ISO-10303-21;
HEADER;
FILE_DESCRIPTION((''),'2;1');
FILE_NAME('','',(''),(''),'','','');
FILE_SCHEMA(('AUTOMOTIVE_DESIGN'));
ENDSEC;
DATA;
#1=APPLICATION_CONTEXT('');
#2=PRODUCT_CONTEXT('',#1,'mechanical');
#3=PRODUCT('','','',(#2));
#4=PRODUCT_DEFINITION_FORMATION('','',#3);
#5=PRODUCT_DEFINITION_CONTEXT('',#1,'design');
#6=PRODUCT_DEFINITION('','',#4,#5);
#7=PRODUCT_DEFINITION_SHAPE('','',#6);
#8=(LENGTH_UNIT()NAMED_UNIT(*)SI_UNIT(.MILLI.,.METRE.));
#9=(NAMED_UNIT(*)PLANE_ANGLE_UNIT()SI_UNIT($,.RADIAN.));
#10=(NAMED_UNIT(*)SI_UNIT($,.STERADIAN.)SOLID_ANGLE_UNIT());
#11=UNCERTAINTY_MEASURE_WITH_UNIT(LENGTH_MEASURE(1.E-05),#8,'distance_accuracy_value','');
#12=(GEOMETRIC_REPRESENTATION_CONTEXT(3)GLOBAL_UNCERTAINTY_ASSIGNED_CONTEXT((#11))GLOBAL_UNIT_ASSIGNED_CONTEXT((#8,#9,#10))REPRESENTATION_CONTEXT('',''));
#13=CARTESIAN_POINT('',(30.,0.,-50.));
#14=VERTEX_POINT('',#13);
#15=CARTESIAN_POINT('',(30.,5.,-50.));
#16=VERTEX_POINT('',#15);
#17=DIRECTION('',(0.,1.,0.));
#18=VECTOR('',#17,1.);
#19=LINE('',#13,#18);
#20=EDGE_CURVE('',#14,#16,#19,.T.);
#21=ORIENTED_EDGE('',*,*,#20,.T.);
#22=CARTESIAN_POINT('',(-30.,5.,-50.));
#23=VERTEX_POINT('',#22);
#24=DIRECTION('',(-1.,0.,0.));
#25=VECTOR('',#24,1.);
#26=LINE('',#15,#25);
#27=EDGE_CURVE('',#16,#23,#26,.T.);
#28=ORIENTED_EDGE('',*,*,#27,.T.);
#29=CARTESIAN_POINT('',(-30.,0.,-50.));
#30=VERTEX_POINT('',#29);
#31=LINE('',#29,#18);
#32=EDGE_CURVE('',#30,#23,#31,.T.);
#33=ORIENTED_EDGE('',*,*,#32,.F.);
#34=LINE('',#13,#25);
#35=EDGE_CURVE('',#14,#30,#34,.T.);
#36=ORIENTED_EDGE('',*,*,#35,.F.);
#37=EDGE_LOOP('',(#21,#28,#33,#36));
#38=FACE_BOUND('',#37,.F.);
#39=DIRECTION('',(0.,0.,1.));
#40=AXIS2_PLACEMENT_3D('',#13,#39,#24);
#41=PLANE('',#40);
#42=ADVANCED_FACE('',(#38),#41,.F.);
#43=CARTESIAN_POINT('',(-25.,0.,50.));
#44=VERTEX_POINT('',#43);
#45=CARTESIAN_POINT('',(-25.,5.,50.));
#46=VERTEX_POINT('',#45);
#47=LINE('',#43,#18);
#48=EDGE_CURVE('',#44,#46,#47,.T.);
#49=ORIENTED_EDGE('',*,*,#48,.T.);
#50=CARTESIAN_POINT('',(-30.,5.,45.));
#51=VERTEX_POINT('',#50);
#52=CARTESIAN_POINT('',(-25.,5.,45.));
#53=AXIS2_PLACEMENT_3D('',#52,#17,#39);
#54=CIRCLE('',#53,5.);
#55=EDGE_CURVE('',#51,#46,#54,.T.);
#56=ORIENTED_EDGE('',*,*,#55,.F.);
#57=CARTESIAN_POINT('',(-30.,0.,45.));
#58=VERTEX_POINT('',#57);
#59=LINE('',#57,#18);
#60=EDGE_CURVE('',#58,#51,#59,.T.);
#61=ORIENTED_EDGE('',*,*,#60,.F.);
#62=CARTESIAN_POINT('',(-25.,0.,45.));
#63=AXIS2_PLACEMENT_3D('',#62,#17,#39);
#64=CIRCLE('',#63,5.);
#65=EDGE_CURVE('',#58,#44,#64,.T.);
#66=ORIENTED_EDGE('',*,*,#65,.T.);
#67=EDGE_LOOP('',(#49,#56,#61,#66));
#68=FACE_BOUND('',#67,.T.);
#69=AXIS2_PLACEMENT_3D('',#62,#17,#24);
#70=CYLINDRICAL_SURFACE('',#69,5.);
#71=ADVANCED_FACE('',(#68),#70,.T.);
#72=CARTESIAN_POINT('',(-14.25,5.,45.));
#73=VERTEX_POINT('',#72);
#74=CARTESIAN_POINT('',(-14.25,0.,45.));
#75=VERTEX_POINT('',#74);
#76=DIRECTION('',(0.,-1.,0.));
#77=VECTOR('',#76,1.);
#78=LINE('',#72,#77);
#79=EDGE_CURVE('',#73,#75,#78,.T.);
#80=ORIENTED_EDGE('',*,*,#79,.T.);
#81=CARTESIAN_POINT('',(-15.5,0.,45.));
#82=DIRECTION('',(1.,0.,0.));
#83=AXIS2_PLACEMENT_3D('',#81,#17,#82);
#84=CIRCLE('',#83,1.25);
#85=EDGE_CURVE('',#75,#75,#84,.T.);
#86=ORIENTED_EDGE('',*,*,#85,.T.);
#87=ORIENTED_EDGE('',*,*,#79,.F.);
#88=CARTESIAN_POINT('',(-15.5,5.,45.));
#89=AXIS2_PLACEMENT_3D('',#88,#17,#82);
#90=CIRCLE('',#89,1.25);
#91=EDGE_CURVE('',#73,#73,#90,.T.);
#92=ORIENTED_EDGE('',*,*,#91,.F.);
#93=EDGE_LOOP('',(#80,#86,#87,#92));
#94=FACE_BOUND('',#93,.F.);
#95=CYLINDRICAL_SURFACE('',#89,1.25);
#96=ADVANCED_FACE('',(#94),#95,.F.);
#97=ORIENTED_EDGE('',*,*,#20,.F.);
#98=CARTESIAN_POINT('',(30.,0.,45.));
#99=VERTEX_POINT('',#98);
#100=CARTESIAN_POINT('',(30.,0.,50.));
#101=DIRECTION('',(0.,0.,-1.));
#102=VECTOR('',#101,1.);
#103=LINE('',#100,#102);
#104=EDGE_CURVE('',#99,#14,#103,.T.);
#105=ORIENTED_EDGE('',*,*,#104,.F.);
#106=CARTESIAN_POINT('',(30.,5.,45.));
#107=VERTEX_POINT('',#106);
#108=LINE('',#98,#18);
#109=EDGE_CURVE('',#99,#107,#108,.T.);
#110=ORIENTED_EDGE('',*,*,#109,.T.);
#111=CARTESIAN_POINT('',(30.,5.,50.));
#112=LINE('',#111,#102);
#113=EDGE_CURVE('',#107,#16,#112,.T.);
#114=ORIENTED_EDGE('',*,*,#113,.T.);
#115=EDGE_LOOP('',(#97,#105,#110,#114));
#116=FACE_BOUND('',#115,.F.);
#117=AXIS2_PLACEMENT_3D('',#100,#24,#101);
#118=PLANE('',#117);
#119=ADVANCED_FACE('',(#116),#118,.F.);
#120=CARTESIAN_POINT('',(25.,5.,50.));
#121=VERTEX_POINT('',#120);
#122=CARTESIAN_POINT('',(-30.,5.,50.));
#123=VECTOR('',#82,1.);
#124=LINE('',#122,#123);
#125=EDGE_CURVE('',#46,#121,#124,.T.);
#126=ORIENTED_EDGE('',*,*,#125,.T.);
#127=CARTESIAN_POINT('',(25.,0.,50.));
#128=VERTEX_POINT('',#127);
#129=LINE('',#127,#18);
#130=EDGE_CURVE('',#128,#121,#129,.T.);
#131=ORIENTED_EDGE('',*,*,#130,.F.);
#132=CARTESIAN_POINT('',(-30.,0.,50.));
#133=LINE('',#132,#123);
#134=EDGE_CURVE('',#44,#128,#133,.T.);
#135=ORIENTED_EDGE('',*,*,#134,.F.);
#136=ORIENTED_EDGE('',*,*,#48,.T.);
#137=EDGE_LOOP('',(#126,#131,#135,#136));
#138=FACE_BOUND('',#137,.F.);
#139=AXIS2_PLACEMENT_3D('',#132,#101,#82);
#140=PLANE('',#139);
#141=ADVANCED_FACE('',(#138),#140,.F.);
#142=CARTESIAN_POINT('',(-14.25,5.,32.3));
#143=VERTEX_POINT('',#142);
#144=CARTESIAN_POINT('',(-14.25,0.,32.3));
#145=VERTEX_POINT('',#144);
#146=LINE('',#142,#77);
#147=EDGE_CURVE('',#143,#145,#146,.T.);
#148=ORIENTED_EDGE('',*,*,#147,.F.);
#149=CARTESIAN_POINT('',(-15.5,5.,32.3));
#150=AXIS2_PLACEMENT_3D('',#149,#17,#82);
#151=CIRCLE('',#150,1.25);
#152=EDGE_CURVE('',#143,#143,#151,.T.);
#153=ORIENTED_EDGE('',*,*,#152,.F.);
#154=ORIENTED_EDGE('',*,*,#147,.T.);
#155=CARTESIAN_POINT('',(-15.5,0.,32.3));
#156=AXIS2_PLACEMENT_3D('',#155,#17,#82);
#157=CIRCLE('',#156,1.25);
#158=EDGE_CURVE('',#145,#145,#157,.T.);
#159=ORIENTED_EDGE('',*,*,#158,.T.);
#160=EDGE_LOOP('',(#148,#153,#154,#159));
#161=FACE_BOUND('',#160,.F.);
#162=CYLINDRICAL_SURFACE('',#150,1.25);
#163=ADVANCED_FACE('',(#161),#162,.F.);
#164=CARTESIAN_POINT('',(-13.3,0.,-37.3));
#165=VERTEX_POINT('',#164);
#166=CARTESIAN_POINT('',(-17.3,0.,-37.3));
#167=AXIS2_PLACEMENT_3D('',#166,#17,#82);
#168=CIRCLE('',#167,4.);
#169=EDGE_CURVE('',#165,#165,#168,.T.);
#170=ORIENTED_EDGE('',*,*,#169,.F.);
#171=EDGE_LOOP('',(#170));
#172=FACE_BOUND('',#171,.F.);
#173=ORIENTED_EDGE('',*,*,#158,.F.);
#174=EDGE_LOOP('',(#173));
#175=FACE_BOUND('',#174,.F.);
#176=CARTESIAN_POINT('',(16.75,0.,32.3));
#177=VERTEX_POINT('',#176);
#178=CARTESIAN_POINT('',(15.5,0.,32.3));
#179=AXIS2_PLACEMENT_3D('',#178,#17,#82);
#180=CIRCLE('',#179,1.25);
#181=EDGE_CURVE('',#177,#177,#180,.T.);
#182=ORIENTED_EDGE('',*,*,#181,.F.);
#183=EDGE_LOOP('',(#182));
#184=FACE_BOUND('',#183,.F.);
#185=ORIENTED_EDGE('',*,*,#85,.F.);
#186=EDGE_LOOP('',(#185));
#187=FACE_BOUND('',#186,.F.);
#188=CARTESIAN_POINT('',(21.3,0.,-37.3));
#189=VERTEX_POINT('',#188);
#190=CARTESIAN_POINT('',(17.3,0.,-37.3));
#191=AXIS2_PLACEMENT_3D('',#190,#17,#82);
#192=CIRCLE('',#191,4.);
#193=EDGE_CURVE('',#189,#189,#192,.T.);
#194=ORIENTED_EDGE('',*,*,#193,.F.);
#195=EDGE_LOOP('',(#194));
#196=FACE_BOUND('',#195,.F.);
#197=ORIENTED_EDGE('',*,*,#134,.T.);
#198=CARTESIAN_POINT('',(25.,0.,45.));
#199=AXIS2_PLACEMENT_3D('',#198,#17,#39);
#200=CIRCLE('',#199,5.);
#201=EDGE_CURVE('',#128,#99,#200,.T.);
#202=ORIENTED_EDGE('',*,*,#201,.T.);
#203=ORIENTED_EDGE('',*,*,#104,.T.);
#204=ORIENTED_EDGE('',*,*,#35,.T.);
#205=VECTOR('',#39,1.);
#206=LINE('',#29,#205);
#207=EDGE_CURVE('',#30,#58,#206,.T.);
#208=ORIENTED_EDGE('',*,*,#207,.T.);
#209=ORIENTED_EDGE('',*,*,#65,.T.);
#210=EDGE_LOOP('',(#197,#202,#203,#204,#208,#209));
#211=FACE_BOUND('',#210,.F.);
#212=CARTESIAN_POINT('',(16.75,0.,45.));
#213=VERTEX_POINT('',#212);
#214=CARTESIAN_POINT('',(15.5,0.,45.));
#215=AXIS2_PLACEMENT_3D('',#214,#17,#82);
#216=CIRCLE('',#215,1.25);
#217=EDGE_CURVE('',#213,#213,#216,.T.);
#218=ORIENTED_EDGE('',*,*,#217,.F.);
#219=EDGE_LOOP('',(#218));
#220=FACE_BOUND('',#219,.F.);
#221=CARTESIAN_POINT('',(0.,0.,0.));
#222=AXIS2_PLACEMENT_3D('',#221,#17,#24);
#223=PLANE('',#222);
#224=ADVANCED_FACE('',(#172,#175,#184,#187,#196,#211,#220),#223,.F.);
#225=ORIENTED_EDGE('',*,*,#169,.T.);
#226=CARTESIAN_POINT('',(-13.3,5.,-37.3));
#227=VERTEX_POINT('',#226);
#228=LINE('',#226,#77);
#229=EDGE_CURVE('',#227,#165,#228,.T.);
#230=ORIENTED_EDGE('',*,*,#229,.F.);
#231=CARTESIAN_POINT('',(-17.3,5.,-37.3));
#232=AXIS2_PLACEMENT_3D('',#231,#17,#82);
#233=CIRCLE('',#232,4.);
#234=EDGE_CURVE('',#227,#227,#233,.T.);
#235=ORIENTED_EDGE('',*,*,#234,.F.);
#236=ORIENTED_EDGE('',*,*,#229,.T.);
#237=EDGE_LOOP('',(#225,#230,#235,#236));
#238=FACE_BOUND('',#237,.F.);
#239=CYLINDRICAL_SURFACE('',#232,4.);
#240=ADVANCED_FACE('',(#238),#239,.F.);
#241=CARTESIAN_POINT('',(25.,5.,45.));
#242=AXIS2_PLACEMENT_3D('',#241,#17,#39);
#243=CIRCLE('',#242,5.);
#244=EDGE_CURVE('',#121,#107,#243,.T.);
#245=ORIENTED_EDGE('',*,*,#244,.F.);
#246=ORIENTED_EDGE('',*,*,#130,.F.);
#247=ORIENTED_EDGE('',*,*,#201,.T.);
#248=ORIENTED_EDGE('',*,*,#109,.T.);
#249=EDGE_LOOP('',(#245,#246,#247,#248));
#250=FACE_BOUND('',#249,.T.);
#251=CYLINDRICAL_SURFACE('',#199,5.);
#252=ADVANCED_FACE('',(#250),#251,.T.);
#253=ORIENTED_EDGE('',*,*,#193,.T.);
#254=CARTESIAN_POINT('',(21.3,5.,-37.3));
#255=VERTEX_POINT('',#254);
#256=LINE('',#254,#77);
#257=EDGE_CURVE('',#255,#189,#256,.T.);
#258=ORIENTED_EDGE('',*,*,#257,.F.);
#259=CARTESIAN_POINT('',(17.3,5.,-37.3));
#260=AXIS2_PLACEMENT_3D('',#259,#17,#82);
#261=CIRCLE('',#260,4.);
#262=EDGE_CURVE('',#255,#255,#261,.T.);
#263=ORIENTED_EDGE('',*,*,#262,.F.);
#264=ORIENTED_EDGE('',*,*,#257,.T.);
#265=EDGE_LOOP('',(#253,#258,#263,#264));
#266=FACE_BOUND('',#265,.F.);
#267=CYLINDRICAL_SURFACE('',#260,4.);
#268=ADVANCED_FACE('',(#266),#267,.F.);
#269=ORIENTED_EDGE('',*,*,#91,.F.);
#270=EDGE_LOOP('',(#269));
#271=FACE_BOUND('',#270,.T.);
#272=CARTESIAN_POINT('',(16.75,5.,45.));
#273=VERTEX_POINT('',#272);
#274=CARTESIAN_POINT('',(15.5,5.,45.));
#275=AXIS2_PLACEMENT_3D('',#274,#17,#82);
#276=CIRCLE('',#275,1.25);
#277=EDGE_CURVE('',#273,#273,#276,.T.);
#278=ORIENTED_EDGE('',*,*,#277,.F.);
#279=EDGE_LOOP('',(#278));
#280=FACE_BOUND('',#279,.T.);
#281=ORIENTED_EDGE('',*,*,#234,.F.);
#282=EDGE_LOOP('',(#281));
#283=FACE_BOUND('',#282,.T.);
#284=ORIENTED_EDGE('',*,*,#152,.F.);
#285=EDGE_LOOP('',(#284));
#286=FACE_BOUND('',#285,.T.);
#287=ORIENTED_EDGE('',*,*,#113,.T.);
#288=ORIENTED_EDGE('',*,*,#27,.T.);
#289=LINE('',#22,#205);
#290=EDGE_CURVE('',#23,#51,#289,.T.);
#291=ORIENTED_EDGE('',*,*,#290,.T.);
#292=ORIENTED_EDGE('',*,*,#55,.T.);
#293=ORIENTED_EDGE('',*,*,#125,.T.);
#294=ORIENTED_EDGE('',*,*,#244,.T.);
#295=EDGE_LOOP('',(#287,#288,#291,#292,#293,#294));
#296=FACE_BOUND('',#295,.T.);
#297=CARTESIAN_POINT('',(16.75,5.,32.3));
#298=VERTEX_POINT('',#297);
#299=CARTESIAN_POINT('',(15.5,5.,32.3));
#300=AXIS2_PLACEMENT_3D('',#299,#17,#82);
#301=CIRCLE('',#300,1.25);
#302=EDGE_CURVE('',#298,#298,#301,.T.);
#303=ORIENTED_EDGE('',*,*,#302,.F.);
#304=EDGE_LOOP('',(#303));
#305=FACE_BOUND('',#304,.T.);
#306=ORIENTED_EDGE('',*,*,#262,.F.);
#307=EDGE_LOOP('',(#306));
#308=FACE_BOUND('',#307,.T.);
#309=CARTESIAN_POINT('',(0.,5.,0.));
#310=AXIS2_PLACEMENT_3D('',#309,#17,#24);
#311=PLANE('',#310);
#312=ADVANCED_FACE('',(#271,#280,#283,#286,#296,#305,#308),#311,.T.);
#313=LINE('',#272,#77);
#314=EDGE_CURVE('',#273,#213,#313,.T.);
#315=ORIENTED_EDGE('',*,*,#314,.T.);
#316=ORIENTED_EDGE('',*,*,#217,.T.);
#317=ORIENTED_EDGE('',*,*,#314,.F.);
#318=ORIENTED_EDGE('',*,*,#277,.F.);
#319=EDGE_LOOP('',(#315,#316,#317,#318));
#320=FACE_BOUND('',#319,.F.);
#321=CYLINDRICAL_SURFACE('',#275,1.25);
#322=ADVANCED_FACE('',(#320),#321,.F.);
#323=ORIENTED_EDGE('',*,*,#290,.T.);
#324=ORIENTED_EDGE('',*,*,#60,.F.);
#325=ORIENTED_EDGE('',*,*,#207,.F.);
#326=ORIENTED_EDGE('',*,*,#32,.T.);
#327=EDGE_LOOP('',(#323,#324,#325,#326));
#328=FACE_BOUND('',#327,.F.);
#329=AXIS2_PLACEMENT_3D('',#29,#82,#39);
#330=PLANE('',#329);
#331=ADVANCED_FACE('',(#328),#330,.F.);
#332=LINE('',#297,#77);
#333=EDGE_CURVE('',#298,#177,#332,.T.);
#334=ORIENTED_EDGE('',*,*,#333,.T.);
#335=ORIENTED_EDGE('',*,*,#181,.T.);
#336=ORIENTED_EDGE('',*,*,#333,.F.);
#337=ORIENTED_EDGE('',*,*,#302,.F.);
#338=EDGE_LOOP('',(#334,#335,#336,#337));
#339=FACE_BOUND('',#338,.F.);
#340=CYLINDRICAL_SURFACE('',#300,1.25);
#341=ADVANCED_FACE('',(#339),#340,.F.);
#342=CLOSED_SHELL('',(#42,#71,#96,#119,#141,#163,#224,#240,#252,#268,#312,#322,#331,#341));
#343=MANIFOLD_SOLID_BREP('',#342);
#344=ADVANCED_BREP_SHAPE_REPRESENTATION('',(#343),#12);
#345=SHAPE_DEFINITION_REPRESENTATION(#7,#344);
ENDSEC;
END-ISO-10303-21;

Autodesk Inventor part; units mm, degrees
ref_plane "YZ Plane" through (0, 0, 0) normal (1, 0, 0) x (0, 1, 0)
ref_plane "XZ Plane" through (0, 0, 0) normal (0, 1, 0) x (-1, 0, 0)
ref_plane "XY Plane" through (0, 0, 0) normal (0, 0, 1) x (1, 0, 0)
sketch "Sketch1" plane through (0, 0, 0) normal (0, 1, 0) x (-1, 0, 0)
  line L0 (30, 50) -> (-30, 50)
  line L1 (-30, 50) -> (-30, -50)
  line L2 (-30, -50) -> (30, -50)
  line L3 (30, -50) -> (30, 50)
  line L4 (30, 50) -> (-30, -50) construction
  line L5 (-30, 50) -> (30, -50) construction
  point P0 (0, 0)
  dimension "d0" = 60
  dimension "d1" = 100
extrude "Extrusion1" add sketch "Sketch1" along normal blind 5
sketch "Sketch2" plane through (0, 5, 0) normal (0, 1, 0) x (1, 0, 0)
  circle A0 centre (15.5, -45) radius 1.25
  circle A1 centre (15.5, -32.3) radius 1.25
  line L0 (-30, -50) -> (30, -50) projected
  line L1 (30, -50) -> (30, 50) projected
  circle A2 centre (-15.5, -45) radius 1.25
  line L2 (-30, 50) -> (-30, -50) projected
  circle A3 centre (-15.5, -32.3) radius 1.25
  point P0 (0, 0)
  dimension "d4" = 2.5
  dimension "d5" = 2.5
  dimension "d6" = 12.7
  dimension "d7" = 5
  dimension "d8" = 14.5
  dimension "d9" = 14.5
  dimension "d10" = 2.5
  dimension "d11" = 14.5
  dimension "d12" = 2.5
extrude "Extrusion2" cut sketch "Sketch2" against normal up to next
sketch "Sketch3" plane through (0, 5, 0) normal (0, 1, 0) x (1, 0, 0)
  circle A0 centre (-17.3, 37.3) radius 4
  line L0 (30, 50) -> (-30, 50) projected
  line L1 (-30, 50) -> (-30, -50) projected
  circle A1 centre (17.3, 37.3) radius 4
  line L2 (30, -50) -> (30, 50) projected
  point P0 (0, 0)
  dimension "d15" = 8
  dimension "d16" = 12.7
  dimension "d17" = 12.7
  dimension "d18" = 8
  dimension "d19" = 12.7
extrude "Extrusion3" cut sketch "Sketch3" against normal up to next
fillet "Fillet1" radius 5 2 edges at (30, 2.5, 50) (-30, 2.5, 50)
properties part number "3way_final_valve_mount"
